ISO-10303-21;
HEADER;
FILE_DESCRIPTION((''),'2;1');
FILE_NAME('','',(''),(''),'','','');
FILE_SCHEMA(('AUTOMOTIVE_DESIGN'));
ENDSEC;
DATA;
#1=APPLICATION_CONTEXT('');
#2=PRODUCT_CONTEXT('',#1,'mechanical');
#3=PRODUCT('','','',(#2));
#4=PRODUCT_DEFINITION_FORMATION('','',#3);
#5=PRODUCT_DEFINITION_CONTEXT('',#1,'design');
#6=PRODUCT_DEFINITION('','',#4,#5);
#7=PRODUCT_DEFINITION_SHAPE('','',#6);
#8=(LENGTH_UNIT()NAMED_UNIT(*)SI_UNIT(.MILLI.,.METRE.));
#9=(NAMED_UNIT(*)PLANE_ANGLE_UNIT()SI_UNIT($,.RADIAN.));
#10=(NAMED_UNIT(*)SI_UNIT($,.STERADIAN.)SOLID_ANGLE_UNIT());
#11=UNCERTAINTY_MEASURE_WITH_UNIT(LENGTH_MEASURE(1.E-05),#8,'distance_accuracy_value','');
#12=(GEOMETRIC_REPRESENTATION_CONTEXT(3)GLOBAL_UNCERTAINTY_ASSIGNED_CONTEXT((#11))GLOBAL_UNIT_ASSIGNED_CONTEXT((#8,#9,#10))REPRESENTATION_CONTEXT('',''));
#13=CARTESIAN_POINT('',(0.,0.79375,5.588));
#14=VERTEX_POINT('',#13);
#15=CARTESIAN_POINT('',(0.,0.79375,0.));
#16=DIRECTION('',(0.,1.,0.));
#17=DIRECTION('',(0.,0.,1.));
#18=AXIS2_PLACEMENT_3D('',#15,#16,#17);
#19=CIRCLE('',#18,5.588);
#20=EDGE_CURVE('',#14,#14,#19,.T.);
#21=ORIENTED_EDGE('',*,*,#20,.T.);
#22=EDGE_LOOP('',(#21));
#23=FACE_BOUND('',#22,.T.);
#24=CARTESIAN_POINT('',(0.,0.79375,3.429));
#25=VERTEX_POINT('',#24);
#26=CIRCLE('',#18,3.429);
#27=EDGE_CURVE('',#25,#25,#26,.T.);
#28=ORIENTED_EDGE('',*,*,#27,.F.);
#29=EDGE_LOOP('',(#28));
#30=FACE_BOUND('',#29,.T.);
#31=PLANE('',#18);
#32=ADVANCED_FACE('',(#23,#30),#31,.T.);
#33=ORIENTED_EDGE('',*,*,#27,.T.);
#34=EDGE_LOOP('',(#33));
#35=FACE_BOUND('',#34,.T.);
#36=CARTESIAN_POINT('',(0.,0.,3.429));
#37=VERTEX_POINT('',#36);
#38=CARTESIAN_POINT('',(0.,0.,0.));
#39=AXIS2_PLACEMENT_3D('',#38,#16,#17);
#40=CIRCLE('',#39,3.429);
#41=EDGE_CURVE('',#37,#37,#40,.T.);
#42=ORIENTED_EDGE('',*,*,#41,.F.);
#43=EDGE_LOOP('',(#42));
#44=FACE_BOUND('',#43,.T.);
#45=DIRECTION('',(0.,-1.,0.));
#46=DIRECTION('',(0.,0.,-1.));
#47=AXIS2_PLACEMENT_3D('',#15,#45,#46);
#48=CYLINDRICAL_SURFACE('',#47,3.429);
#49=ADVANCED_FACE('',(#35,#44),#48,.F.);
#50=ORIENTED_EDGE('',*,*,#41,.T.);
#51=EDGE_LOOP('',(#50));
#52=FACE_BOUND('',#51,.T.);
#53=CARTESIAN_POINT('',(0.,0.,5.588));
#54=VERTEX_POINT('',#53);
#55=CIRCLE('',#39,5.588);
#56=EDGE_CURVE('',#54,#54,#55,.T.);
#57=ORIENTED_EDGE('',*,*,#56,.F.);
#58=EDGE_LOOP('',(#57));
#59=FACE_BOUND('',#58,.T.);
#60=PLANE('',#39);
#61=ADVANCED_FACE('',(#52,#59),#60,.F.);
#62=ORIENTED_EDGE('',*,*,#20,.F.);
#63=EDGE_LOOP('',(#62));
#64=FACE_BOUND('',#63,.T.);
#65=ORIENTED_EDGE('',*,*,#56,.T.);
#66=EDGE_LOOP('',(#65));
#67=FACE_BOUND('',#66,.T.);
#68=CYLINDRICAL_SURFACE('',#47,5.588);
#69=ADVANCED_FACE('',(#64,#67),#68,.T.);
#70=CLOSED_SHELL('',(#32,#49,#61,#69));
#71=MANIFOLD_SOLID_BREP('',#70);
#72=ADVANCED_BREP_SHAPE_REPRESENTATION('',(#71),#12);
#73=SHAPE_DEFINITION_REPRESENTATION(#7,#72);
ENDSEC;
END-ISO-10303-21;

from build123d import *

# Parameters (mm, degrees)
SKETCH1_R           = 5.588
SKETCH1_R_2         = 3.429
BOSS_EXTRUDE1_DEPTH = 0.79375


with BuildPart() as part:
    # Sketch1 → Boss-Extrude1 (new body)
    with BuildSketch(Plane(origin=(0, 0, 0), x_dir=(1, 0, 0), z_dir=(0, 1, 0))):
        Circle(SKETCH1_R)
        Circle(SKETCH1_R_2, mode=Mode.SUBTRACT)
    extrude(amount=BOSS_EXTRUDE1_DEPTH)


solid = part.part
